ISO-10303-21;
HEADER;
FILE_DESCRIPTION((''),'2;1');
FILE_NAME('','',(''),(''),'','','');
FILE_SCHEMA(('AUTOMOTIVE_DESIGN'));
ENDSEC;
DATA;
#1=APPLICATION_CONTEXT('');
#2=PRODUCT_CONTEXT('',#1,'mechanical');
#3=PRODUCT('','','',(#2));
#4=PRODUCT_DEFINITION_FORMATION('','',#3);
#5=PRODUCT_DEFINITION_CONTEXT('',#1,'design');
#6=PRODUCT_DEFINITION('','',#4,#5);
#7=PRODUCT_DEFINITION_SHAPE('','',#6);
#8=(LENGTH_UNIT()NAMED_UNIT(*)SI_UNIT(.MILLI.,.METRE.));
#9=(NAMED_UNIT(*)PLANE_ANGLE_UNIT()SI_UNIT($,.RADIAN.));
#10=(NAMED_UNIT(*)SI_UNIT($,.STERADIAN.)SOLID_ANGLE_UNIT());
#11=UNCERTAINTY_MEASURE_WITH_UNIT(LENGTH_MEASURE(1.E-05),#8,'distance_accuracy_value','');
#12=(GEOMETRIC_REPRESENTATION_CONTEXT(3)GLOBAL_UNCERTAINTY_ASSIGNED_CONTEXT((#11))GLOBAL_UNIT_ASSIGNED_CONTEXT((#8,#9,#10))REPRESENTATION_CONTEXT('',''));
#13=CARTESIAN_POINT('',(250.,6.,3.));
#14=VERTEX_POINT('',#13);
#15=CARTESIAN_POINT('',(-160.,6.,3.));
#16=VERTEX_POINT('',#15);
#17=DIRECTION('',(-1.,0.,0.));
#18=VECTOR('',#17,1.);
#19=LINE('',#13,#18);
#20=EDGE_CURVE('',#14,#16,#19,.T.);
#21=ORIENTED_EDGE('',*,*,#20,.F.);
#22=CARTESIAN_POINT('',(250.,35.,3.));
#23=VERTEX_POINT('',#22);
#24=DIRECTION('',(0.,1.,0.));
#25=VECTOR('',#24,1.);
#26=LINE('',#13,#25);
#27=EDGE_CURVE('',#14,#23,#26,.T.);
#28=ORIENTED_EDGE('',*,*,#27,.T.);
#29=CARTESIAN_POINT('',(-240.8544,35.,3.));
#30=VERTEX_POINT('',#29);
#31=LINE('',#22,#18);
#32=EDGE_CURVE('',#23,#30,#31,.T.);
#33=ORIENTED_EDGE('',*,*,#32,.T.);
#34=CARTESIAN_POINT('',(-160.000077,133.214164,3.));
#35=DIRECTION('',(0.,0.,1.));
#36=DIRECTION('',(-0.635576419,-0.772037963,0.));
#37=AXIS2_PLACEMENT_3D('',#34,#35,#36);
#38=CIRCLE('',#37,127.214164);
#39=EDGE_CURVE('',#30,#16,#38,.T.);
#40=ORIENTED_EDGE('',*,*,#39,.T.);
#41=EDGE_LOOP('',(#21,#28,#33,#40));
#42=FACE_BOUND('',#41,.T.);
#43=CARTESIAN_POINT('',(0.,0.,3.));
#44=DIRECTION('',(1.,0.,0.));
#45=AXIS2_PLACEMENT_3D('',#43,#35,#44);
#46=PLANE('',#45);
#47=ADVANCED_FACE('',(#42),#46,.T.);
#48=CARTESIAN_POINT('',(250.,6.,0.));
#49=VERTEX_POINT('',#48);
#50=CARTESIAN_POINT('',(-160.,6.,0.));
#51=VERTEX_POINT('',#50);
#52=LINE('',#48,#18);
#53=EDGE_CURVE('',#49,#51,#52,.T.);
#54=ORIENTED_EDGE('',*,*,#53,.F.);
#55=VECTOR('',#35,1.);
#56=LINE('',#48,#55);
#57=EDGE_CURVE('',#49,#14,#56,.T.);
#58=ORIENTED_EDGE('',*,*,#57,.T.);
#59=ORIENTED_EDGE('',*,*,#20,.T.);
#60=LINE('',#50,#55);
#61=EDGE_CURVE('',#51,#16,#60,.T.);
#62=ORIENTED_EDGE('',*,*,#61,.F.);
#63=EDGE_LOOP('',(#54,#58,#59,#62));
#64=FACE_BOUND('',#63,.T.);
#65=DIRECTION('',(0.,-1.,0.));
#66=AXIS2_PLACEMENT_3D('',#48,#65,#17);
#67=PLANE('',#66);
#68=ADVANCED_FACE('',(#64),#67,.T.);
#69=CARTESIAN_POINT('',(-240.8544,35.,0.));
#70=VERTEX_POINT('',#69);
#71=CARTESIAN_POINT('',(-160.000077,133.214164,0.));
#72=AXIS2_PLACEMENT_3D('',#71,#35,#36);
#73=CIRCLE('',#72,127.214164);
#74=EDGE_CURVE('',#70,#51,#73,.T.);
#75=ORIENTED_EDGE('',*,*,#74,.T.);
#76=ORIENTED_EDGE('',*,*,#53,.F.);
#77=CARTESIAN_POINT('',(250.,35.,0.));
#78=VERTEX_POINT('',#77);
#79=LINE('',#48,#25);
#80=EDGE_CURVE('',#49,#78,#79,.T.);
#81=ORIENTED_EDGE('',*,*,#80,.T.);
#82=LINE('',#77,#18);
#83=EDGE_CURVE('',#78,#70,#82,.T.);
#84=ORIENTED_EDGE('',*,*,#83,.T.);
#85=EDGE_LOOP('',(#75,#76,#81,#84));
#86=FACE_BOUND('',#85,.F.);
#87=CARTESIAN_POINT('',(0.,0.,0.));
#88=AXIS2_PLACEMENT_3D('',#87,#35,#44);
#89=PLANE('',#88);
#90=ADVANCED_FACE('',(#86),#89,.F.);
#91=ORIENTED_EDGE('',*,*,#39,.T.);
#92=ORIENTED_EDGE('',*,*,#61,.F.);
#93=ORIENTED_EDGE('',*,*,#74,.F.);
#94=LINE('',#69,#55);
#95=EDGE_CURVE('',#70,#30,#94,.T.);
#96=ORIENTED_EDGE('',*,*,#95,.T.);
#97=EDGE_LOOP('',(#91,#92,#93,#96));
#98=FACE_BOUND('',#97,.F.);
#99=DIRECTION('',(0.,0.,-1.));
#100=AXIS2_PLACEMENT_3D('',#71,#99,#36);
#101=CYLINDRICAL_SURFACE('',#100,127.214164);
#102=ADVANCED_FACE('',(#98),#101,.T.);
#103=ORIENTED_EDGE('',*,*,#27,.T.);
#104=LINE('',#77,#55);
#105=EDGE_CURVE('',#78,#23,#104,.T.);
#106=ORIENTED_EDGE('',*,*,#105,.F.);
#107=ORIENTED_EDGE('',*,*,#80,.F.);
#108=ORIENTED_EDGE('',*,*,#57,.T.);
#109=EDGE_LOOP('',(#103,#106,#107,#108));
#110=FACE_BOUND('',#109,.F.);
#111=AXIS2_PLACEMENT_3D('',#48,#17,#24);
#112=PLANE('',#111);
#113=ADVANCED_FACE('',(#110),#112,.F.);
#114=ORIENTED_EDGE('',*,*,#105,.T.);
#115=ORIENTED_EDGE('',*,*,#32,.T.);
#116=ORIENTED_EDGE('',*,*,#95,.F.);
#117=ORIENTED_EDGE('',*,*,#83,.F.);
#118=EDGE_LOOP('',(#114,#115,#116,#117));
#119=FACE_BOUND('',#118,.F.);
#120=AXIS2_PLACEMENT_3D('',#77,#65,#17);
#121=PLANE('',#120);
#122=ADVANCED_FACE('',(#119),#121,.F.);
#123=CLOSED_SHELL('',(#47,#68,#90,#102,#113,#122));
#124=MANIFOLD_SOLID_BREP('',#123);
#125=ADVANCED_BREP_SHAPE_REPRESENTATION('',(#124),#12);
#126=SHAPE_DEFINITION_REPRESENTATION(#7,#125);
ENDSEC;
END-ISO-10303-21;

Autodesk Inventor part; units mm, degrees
ref_plane "YZ Plane" through (0, 0, 0) normal (1, 0, 0) x (0, 1, 0)
ref_plane "XZ Plane" through (0, 0, 0) normal (0, 1, 0) x (-1, 0, 0)
ref_plane "XY Plane" through (0, 0, 0) normal (0, 0, 1) x (1, 0, 0)
sketch "スケッチ1" plane through (0, 0, 0) normal (0, 0, 1) x (1, 0, 0)
  arc A0 (-240.8544, 35) -> (-160, 6) centre (-160, 133.2143) ccw projected
  line L0 (250, 6) -> (-160, 6) projected
  line L1 (250, 6) -> (250, 35) projected
  line L2 (250, 35) -> (-240.8544, 35) projected
  point P0 (0, 0)
extrude "押し出し1" add sketch "スケッチ1" along normal blind 3
